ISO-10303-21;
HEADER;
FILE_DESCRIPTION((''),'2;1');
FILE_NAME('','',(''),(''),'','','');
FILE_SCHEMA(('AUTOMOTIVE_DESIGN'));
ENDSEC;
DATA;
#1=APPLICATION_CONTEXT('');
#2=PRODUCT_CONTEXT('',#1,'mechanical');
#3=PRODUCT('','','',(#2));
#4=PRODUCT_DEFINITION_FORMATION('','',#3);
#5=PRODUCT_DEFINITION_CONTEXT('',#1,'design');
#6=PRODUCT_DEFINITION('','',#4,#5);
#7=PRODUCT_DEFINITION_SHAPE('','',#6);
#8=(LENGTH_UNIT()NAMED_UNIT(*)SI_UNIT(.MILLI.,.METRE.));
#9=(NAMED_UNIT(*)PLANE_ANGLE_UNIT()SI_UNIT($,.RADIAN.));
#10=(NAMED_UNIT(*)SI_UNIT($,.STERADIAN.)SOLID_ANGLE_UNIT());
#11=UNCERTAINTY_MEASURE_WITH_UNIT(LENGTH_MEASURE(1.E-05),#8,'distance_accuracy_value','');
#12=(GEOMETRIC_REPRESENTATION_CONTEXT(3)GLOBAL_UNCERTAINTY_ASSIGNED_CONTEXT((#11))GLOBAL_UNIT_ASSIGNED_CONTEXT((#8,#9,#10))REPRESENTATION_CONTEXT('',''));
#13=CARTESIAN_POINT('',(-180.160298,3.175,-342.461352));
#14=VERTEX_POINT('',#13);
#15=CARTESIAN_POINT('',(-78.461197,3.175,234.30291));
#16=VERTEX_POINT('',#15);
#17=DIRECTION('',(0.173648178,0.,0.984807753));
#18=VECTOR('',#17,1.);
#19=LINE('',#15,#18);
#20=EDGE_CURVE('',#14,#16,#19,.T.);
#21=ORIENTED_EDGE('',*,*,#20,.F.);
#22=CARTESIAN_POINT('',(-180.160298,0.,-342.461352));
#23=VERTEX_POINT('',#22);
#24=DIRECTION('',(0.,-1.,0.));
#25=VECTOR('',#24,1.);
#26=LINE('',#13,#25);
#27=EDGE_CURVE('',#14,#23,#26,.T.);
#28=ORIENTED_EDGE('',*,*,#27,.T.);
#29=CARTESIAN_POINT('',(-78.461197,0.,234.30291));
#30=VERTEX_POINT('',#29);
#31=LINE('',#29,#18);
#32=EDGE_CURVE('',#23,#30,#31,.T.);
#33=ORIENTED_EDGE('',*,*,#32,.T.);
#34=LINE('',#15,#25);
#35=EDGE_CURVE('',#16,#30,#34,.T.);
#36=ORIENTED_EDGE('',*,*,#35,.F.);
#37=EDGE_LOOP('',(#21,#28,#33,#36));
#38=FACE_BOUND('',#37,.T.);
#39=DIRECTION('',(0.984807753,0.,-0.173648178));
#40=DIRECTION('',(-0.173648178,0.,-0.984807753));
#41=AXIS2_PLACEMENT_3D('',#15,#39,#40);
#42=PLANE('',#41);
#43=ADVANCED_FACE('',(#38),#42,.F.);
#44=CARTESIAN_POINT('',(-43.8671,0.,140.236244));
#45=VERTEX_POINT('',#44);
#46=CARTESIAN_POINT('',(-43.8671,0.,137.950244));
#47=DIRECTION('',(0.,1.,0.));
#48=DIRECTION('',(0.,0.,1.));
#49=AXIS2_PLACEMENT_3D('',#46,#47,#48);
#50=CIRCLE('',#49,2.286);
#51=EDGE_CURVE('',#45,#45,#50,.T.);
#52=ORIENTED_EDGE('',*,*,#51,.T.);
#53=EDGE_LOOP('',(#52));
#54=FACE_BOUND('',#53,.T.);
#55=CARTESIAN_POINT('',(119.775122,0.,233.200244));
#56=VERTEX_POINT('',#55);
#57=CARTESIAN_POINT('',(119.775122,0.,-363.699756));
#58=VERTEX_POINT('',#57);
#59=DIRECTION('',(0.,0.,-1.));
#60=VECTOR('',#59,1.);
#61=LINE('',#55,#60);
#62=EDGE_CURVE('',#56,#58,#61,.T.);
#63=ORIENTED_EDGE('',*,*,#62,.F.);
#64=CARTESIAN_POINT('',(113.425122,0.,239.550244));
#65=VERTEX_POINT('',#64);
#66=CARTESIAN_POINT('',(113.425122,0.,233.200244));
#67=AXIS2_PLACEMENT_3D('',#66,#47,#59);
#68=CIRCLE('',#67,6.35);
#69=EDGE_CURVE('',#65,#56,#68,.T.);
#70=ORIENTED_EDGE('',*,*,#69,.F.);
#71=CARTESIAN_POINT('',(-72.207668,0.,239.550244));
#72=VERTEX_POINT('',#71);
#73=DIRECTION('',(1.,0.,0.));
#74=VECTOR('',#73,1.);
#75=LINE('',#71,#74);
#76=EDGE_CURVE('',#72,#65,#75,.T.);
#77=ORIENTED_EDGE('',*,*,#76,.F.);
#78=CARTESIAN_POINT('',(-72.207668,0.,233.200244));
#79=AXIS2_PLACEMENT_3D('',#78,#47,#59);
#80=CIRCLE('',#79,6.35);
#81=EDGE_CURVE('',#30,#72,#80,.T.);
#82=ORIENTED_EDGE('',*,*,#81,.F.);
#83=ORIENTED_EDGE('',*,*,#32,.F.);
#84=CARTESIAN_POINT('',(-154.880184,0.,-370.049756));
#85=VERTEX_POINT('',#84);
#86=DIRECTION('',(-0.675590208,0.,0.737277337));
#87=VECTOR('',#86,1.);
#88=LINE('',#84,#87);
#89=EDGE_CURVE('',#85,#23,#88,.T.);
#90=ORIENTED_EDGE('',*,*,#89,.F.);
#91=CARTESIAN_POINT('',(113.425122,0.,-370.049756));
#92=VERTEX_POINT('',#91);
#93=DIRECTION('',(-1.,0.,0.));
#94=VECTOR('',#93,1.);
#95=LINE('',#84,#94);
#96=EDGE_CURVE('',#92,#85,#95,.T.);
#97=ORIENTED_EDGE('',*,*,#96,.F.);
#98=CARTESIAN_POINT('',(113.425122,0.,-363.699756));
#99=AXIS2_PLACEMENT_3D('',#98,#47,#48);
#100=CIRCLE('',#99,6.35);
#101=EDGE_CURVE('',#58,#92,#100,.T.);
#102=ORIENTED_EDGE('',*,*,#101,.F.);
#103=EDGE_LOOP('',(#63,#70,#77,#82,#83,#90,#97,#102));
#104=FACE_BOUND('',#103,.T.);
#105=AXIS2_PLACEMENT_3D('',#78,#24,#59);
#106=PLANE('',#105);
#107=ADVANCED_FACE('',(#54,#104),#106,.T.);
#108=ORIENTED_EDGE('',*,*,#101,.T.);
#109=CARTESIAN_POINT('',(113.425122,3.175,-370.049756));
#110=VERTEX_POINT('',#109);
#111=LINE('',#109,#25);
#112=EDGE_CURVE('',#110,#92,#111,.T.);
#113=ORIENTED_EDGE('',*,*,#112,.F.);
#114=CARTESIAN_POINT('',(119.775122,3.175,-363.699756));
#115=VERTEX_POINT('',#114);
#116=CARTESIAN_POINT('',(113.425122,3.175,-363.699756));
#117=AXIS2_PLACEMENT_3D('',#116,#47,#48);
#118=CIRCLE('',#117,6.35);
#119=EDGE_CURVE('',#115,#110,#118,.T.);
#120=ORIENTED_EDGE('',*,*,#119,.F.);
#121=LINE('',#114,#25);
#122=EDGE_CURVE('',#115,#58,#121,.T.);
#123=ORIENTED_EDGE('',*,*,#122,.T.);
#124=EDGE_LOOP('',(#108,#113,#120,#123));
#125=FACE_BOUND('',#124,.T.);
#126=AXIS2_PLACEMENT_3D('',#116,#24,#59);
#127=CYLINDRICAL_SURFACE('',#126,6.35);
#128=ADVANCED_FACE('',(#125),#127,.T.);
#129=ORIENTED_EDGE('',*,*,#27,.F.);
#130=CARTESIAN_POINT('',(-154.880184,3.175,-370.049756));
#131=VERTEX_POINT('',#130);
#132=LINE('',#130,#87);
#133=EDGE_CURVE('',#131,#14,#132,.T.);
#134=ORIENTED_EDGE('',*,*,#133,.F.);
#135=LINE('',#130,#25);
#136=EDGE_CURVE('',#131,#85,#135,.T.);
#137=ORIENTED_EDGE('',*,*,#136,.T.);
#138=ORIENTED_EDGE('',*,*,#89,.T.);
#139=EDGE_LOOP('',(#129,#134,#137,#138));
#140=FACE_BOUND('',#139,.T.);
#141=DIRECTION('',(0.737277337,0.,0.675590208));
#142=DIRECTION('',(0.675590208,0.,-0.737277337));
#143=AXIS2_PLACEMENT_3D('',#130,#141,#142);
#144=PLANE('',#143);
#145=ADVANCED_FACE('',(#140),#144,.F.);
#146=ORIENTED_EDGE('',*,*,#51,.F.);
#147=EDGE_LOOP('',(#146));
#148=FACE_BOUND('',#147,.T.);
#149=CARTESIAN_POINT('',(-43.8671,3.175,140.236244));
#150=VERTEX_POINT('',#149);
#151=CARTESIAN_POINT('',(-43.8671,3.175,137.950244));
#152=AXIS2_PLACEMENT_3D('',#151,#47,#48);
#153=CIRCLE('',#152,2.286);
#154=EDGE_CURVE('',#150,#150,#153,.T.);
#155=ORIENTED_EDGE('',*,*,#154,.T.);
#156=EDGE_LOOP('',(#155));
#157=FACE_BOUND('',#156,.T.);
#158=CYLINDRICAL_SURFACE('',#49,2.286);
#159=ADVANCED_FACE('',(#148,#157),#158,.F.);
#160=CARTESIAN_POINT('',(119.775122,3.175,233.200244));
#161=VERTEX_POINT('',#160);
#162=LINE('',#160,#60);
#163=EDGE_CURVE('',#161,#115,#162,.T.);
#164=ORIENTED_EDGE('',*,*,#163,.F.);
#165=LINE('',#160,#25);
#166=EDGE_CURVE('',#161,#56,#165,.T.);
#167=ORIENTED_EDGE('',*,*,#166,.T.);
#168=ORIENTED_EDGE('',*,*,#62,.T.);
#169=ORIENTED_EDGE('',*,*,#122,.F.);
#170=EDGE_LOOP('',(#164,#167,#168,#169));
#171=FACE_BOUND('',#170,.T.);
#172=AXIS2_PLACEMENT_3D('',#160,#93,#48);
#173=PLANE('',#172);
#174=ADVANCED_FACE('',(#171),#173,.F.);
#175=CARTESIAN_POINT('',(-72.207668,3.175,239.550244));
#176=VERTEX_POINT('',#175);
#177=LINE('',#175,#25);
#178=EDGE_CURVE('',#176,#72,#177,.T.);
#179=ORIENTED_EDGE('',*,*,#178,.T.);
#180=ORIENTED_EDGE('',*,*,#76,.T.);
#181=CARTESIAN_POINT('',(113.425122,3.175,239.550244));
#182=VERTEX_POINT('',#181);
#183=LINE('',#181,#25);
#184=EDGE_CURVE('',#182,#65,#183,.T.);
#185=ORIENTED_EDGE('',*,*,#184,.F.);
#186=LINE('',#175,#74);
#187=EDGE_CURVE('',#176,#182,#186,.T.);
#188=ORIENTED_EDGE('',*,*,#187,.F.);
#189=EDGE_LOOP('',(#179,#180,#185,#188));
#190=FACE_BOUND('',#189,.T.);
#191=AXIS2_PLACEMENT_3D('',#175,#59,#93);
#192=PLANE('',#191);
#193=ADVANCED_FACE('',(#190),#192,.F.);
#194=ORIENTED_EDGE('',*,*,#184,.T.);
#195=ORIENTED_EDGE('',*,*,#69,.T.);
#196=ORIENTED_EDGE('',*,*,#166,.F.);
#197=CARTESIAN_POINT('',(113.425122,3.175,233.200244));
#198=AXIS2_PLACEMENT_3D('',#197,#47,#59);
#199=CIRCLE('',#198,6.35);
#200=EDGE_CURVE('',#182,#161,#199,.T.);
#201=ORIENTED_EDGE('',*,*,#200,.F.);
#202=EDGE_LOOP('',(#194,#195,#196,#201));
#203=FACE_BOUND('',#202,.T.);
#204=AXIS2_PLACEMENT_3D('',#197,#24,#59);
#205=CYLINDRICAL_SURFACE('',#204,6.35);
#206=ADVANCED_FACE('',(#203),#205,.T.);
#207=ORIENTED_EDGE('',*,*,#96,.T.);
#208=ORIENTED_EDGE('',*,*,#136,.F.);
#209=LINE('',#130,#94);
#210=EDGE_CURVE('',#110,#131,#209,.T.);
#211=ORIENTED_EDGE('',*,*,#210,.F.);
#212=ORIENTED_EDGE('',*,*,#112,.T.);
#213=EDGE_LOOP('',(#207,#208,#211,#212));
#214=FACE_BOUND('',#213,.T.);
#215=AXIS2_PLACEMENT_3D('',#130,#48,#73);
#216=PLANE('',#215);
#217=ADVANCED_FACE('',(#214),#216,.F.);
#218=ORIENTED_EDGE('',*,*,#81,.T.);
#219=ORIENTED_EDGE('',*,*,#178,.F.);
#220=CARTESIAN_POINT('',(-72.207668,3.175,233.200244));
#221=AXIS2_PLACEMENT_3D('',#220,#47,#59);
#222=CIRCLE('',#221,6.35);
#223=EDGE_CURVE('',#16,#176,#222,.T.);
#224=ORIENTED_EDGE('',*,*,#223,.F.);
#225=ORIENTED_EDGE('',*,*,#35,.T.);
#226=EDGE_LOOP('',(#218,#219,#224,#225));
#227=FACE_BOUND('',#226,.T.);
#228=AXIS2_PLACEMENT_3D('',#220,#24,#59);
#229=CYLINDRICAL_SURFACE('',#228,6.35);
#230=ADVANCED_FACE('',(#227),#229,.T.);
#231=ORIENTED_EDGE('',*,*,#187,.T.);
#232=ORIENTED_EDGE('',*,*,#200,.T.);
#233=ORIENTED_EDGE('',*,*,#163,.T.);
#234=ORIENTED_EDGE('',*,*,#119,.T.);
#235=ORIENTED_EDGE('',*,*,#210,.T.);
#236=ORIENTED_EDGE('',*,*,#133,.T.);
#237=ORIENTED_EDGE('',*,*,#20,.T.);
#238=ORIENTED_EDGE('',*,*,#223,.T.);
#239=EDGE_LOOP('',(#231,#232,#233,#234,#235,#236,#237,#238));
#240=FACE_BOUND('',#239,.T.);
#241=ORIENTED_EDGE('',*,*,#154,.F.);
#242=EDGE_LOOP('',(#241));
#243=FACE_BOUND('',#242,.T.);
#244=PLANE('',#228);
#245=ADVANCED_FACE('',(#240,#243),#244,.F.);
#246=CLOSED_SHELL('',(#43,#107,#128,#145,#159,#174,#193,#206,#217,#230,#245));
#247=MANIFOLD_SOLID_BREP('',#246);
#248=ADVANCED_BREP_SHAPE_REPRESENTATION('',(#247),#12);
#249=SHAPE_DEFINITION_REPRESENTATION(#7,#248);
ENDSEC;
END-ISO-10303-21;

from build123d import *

# Parameters (mm, degrees)
STOCK_TO_SIZE_DEPTH = 3.175
SKETCH2_R           = 2.286
MOUNTING_HOLE_DEPTH = 4.175


with BuildPart() as part:
    # Sketch1 → Stock to Size (new body)
    with BuildSketch(Plane(origin=(0, 0, 0), x_dir=(1, 0, 0), z_dir=(0, 1, 0))):
        with BuildLine():
            Line((-72.207668016, -239.550243772), (113.425121886, -239.550243772))
            ThreePointArc((113.425121886, -239.550243772), (117.915249947, -237.690371833), (119.775121886, -233.200243772))
            Line((119.775121886, -233.200243772), (119.775121886, 363.699756228))
            ThreePointArc((119.775121886, 363.699756228), (117.915249947, 368.189884288), (113.425121886, 370.049756228))
            Line((113.425121886, 370.049756228), (-154.880183722, 370.049756228))
            Line((-154.880183722, 370.049756228), (-180.160298169, 342.461352424))
            Line((-180.160298169, 342.461352424), (-78.461197248, -234.302909701))
            ThreePointArc((-78.461197248, -234.302909701), (-76.289369337, -238.064625986), (-72.207668016, -239.550243772))
        make_face()
    extrude(amount=STOCK_TO_SIZE_DEPTH)

    # Sketch2 → Mounting Hole (cut, through all)
    with BuildSketch(Plane(origin=(0, 3.175, 0), x_dir=(1, 0, 0), z_dir=(0, 1, 0))):
        with Locations((-43.86710003, -137.950243772)):
            Circle(SKETCH2_R)
    extrude(amount=-MOUNTING_HOLE_DEPTH, mode=Mode.SUBTRACT)


solid = part.part
